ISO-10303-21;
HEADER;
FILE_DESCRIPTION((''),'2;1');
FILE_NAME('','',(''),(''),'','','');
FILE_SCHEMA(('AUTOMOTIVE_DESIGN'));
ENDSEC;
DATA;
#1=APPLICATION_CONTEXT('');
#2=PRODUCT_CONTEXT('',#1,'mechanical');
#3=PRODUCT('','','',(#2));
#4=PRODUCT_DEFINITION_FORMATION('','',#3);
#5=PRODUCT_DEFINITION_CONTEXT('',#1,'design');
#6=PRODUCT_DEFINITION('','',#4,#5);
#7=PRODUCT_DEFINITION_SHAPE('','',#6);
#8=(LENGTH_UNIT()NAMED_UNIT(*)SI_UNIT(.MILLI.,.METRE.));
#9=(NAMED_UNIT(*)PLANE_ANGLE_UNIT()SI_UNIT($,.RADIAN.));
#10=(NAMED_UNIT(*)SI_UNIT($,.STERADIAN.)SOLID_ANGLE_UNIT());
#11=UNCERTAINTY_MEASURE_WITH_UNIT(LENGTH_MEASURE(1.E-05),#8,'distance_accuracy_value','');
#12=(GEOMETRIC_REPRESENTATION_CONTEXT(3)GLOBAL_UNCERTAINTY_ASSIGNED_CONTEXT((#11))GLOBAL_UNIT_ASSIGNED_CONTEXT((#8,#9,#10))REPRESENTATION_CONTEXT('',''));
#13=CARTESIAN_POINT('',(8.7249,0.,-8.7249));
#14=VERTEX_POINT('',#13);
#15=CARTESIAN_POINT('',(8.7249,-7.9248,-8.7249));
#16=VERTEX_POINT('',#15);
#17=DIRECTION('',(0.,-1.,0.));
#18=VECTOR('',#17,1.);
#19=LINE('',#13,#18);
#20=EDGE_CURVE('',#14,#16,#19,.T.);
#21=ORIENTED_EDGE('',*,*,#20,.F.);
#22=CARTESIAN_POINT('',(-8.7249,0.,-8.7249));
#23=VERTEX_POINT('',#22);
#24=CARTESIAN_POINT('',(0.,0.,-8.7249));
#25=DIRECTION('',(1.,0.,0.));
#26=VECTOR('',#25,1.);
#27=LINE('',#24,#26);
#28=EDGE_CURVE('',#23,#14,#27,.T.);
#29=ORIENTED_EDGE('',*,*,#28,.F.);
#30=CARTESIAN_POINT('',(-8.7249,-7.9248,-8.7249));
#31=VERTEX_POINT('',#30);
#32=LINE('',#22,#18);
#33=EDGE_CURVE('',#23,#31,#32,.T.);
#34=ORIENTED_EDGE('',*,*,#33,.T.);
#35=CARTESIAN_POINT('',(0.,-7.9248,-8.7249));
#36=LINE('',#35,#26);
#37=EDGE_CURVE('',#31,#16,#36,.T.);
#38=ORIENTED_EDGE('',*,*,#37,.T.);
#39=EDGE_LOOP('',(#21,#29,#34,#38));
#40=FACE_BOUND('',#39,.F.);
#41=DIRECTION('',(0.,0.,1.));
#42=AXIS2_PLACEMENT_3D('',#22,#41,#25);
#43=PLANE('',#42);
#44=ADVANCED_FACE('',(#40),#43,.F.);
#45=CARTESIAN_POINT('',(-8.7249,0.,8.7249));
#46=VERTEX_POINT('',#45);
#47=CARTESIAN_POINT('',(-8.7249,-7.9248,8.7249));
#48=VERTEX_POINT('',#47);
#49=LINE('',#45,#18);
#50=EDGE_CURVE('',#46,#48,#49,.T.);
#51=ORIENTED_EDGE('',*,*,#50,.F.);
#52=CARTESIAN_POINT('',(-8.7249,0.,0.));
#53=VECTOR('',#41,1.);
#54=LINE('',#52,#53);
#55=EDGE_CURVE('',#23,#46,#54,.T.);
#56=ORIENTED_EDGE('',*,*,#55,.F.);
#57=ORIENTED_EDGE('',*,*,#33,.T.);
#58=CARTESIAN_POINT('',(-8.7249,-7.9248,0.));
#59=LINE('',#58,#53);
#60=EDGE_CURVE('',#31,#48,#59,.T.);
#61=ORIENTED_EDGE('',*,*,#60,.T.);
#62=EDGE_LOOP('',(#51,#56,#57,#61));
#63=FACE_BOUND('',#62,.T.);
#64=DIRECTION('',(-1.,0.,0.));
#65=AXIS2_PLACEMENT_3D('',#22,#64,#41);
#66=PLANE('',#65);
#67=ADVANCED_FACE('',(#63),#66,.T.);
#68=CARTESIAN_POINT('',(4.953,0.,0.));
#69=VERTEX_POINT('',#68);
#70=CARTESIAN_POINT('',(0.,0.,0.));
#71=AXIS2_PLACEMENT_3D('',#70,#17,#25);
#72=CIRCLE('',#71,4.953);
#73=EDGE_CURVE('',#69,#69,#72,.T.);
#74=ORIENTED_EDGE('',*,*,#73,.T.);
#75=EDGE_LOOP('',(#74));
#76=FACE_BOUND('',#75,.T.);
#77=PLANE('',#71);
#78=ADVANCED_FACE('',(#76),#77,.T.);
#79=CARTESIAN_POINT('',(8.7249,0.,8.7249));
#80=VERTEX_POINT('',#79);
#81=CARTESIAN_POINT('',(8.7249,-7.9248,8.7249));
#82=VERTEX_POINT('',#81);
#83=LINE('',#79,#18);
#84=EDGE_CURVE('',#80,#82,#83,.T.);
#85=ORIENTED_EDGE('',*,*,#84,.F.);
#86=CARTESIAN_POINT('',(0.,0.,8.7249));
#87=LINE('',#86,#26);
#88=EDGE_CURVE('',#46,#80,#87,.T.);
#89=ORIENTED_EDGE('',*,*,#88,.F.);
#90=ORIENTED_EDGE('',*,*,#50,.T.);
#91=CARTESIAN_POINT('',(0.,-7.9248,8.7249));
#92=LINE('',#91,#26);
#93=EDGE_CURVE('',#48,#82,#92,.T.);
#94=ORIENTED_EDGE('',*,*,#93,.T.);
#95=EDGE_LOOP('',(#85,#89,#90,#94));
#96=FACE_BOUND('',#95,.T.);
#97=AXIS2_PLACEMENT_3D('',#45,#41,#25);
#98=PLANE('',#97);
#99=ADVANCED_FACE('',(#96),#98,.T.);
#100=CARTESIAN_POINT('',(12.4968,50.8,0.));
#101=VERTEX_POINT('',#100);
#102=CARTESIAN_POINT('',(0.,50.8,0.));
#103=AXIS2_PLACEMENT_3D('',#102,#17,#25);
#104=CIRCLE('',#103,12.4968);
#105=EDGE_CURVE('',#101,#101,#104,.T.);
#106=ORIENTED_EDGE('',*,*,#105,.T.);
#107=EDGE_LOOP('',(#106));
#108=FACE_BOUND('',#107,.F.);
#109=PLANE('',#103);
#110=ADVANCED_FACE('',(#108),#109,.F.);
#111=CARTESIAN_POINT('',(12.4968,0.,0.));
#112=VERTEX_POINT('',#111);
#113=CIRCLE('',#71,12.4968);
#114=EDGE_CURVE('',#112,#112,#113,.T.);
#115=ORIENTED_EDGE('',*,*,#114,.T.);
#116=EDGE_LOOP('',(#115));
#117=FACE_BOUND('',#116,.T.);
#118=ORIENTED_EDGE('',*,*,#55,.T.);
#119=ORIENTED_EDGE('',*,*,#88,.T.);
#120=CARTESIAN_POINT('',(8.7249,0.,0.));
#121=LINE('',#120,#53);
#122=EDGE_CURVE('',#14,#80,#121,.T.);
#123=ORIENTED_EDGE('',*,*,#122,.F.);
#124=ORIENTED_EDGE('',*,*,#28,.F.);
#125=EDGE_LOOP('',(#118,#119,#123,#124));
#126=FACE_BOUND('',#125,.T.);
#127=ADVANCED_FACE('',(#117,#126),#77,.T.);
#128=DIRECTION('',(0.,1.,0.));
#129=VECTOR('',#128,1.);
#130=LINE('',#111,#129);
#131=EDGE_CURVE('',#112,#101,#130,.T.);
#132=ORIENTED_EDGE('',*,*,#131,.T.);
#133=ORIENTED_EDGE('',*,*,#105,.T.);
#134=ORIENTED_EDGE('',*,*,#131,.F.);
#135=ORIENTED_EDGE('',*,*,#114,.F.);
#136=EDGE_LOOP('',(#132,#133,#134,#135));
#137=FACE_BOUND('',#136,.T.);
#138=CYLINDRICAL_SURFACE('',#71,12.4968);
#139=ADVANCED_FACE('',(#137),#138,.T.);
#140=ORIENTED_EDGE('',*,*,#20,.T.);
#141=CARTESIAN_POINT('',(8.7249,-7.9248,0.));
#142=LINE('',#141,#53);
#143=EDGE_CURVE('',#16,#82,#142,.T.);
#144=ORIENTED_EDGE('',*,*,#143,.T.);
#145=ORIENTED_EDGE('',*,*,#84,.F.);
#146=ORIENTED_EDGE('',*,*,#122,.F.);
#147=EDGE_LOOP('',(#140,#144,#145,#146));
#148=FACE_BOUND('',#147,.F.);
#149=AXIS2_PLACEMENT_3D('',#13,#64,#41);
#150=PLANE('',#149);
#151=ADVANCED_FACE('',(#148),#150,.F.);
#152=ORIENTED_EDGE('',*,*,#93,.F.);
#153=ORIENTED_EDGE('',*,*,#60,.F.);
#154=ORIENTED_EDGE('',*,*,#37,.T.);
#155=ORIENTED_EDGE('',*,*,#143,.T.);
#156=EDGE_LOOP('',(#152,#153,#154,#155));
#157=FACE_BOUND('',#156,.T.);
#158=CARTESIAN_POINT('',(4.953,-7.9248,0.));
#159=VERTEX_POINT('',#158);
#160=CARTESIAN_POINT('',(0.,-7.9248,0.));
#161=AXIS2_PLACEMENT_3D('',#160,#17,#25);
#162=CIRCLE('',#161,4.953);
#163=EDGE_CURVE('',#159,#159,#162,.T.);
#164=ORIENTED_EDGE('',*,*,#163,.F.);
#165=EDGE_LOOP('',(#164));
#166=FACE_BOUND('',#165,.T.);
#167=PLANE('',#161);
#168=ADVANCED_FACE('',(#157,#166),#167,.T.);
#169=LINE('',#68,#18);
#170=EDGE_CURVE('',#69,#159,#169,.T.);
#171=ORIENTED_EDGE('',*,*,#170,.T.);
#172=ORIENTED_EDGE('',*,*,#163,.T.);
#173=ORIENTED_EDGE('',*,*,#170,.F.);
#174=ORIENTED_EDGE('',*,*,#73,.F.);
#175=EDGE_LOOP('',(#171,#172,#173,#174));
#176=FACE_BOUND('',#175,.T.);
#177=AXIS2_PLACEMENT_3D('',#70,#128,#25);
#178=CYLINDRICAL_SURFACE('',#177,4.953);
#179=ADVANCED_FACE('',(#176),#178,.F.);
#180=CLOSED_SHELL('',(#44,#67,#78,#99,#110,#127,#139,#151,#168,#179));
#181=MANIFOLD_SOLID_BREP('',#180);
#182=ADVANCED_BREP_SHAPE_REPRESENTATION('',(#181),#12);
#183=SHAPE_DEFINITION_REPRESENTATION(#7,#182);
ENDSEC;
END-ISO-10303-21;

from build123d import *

# Parameters (mm, degrees)
F0_R     = 12.4968
F0_W     = 17.4498
F0_H     = 17.4498
F0_R_2   = 4.953
F1_DEPTH = 50.8
F2_DEPTH = 7.9248


with BuildPart() as f1:
    # F0 (on Front) → F1 (new body)
    with BuildSketch(Plane.XZ):
        Circle(F0_R)
        Rectangle(F0_W, F0_H, mode=Mode.SUBTRACT)
        Rectangle(F0_W, F0_H)
        Circle(F0_R_2, mode=Mode.SUBTRACT)
        Circle(F0_R_2)
    extrude(amount=-F1_DEPTH)

    # F0 (on Front) → F2 (join)
    with BuildSketch(Plane.XZ):
        Rectangle(F0_W, F0_H)
        Circle(F0_R_2, mode=Mode.SUBTRACT)
    extrude(amount=F2_DEPTH)


solid = f1.part
